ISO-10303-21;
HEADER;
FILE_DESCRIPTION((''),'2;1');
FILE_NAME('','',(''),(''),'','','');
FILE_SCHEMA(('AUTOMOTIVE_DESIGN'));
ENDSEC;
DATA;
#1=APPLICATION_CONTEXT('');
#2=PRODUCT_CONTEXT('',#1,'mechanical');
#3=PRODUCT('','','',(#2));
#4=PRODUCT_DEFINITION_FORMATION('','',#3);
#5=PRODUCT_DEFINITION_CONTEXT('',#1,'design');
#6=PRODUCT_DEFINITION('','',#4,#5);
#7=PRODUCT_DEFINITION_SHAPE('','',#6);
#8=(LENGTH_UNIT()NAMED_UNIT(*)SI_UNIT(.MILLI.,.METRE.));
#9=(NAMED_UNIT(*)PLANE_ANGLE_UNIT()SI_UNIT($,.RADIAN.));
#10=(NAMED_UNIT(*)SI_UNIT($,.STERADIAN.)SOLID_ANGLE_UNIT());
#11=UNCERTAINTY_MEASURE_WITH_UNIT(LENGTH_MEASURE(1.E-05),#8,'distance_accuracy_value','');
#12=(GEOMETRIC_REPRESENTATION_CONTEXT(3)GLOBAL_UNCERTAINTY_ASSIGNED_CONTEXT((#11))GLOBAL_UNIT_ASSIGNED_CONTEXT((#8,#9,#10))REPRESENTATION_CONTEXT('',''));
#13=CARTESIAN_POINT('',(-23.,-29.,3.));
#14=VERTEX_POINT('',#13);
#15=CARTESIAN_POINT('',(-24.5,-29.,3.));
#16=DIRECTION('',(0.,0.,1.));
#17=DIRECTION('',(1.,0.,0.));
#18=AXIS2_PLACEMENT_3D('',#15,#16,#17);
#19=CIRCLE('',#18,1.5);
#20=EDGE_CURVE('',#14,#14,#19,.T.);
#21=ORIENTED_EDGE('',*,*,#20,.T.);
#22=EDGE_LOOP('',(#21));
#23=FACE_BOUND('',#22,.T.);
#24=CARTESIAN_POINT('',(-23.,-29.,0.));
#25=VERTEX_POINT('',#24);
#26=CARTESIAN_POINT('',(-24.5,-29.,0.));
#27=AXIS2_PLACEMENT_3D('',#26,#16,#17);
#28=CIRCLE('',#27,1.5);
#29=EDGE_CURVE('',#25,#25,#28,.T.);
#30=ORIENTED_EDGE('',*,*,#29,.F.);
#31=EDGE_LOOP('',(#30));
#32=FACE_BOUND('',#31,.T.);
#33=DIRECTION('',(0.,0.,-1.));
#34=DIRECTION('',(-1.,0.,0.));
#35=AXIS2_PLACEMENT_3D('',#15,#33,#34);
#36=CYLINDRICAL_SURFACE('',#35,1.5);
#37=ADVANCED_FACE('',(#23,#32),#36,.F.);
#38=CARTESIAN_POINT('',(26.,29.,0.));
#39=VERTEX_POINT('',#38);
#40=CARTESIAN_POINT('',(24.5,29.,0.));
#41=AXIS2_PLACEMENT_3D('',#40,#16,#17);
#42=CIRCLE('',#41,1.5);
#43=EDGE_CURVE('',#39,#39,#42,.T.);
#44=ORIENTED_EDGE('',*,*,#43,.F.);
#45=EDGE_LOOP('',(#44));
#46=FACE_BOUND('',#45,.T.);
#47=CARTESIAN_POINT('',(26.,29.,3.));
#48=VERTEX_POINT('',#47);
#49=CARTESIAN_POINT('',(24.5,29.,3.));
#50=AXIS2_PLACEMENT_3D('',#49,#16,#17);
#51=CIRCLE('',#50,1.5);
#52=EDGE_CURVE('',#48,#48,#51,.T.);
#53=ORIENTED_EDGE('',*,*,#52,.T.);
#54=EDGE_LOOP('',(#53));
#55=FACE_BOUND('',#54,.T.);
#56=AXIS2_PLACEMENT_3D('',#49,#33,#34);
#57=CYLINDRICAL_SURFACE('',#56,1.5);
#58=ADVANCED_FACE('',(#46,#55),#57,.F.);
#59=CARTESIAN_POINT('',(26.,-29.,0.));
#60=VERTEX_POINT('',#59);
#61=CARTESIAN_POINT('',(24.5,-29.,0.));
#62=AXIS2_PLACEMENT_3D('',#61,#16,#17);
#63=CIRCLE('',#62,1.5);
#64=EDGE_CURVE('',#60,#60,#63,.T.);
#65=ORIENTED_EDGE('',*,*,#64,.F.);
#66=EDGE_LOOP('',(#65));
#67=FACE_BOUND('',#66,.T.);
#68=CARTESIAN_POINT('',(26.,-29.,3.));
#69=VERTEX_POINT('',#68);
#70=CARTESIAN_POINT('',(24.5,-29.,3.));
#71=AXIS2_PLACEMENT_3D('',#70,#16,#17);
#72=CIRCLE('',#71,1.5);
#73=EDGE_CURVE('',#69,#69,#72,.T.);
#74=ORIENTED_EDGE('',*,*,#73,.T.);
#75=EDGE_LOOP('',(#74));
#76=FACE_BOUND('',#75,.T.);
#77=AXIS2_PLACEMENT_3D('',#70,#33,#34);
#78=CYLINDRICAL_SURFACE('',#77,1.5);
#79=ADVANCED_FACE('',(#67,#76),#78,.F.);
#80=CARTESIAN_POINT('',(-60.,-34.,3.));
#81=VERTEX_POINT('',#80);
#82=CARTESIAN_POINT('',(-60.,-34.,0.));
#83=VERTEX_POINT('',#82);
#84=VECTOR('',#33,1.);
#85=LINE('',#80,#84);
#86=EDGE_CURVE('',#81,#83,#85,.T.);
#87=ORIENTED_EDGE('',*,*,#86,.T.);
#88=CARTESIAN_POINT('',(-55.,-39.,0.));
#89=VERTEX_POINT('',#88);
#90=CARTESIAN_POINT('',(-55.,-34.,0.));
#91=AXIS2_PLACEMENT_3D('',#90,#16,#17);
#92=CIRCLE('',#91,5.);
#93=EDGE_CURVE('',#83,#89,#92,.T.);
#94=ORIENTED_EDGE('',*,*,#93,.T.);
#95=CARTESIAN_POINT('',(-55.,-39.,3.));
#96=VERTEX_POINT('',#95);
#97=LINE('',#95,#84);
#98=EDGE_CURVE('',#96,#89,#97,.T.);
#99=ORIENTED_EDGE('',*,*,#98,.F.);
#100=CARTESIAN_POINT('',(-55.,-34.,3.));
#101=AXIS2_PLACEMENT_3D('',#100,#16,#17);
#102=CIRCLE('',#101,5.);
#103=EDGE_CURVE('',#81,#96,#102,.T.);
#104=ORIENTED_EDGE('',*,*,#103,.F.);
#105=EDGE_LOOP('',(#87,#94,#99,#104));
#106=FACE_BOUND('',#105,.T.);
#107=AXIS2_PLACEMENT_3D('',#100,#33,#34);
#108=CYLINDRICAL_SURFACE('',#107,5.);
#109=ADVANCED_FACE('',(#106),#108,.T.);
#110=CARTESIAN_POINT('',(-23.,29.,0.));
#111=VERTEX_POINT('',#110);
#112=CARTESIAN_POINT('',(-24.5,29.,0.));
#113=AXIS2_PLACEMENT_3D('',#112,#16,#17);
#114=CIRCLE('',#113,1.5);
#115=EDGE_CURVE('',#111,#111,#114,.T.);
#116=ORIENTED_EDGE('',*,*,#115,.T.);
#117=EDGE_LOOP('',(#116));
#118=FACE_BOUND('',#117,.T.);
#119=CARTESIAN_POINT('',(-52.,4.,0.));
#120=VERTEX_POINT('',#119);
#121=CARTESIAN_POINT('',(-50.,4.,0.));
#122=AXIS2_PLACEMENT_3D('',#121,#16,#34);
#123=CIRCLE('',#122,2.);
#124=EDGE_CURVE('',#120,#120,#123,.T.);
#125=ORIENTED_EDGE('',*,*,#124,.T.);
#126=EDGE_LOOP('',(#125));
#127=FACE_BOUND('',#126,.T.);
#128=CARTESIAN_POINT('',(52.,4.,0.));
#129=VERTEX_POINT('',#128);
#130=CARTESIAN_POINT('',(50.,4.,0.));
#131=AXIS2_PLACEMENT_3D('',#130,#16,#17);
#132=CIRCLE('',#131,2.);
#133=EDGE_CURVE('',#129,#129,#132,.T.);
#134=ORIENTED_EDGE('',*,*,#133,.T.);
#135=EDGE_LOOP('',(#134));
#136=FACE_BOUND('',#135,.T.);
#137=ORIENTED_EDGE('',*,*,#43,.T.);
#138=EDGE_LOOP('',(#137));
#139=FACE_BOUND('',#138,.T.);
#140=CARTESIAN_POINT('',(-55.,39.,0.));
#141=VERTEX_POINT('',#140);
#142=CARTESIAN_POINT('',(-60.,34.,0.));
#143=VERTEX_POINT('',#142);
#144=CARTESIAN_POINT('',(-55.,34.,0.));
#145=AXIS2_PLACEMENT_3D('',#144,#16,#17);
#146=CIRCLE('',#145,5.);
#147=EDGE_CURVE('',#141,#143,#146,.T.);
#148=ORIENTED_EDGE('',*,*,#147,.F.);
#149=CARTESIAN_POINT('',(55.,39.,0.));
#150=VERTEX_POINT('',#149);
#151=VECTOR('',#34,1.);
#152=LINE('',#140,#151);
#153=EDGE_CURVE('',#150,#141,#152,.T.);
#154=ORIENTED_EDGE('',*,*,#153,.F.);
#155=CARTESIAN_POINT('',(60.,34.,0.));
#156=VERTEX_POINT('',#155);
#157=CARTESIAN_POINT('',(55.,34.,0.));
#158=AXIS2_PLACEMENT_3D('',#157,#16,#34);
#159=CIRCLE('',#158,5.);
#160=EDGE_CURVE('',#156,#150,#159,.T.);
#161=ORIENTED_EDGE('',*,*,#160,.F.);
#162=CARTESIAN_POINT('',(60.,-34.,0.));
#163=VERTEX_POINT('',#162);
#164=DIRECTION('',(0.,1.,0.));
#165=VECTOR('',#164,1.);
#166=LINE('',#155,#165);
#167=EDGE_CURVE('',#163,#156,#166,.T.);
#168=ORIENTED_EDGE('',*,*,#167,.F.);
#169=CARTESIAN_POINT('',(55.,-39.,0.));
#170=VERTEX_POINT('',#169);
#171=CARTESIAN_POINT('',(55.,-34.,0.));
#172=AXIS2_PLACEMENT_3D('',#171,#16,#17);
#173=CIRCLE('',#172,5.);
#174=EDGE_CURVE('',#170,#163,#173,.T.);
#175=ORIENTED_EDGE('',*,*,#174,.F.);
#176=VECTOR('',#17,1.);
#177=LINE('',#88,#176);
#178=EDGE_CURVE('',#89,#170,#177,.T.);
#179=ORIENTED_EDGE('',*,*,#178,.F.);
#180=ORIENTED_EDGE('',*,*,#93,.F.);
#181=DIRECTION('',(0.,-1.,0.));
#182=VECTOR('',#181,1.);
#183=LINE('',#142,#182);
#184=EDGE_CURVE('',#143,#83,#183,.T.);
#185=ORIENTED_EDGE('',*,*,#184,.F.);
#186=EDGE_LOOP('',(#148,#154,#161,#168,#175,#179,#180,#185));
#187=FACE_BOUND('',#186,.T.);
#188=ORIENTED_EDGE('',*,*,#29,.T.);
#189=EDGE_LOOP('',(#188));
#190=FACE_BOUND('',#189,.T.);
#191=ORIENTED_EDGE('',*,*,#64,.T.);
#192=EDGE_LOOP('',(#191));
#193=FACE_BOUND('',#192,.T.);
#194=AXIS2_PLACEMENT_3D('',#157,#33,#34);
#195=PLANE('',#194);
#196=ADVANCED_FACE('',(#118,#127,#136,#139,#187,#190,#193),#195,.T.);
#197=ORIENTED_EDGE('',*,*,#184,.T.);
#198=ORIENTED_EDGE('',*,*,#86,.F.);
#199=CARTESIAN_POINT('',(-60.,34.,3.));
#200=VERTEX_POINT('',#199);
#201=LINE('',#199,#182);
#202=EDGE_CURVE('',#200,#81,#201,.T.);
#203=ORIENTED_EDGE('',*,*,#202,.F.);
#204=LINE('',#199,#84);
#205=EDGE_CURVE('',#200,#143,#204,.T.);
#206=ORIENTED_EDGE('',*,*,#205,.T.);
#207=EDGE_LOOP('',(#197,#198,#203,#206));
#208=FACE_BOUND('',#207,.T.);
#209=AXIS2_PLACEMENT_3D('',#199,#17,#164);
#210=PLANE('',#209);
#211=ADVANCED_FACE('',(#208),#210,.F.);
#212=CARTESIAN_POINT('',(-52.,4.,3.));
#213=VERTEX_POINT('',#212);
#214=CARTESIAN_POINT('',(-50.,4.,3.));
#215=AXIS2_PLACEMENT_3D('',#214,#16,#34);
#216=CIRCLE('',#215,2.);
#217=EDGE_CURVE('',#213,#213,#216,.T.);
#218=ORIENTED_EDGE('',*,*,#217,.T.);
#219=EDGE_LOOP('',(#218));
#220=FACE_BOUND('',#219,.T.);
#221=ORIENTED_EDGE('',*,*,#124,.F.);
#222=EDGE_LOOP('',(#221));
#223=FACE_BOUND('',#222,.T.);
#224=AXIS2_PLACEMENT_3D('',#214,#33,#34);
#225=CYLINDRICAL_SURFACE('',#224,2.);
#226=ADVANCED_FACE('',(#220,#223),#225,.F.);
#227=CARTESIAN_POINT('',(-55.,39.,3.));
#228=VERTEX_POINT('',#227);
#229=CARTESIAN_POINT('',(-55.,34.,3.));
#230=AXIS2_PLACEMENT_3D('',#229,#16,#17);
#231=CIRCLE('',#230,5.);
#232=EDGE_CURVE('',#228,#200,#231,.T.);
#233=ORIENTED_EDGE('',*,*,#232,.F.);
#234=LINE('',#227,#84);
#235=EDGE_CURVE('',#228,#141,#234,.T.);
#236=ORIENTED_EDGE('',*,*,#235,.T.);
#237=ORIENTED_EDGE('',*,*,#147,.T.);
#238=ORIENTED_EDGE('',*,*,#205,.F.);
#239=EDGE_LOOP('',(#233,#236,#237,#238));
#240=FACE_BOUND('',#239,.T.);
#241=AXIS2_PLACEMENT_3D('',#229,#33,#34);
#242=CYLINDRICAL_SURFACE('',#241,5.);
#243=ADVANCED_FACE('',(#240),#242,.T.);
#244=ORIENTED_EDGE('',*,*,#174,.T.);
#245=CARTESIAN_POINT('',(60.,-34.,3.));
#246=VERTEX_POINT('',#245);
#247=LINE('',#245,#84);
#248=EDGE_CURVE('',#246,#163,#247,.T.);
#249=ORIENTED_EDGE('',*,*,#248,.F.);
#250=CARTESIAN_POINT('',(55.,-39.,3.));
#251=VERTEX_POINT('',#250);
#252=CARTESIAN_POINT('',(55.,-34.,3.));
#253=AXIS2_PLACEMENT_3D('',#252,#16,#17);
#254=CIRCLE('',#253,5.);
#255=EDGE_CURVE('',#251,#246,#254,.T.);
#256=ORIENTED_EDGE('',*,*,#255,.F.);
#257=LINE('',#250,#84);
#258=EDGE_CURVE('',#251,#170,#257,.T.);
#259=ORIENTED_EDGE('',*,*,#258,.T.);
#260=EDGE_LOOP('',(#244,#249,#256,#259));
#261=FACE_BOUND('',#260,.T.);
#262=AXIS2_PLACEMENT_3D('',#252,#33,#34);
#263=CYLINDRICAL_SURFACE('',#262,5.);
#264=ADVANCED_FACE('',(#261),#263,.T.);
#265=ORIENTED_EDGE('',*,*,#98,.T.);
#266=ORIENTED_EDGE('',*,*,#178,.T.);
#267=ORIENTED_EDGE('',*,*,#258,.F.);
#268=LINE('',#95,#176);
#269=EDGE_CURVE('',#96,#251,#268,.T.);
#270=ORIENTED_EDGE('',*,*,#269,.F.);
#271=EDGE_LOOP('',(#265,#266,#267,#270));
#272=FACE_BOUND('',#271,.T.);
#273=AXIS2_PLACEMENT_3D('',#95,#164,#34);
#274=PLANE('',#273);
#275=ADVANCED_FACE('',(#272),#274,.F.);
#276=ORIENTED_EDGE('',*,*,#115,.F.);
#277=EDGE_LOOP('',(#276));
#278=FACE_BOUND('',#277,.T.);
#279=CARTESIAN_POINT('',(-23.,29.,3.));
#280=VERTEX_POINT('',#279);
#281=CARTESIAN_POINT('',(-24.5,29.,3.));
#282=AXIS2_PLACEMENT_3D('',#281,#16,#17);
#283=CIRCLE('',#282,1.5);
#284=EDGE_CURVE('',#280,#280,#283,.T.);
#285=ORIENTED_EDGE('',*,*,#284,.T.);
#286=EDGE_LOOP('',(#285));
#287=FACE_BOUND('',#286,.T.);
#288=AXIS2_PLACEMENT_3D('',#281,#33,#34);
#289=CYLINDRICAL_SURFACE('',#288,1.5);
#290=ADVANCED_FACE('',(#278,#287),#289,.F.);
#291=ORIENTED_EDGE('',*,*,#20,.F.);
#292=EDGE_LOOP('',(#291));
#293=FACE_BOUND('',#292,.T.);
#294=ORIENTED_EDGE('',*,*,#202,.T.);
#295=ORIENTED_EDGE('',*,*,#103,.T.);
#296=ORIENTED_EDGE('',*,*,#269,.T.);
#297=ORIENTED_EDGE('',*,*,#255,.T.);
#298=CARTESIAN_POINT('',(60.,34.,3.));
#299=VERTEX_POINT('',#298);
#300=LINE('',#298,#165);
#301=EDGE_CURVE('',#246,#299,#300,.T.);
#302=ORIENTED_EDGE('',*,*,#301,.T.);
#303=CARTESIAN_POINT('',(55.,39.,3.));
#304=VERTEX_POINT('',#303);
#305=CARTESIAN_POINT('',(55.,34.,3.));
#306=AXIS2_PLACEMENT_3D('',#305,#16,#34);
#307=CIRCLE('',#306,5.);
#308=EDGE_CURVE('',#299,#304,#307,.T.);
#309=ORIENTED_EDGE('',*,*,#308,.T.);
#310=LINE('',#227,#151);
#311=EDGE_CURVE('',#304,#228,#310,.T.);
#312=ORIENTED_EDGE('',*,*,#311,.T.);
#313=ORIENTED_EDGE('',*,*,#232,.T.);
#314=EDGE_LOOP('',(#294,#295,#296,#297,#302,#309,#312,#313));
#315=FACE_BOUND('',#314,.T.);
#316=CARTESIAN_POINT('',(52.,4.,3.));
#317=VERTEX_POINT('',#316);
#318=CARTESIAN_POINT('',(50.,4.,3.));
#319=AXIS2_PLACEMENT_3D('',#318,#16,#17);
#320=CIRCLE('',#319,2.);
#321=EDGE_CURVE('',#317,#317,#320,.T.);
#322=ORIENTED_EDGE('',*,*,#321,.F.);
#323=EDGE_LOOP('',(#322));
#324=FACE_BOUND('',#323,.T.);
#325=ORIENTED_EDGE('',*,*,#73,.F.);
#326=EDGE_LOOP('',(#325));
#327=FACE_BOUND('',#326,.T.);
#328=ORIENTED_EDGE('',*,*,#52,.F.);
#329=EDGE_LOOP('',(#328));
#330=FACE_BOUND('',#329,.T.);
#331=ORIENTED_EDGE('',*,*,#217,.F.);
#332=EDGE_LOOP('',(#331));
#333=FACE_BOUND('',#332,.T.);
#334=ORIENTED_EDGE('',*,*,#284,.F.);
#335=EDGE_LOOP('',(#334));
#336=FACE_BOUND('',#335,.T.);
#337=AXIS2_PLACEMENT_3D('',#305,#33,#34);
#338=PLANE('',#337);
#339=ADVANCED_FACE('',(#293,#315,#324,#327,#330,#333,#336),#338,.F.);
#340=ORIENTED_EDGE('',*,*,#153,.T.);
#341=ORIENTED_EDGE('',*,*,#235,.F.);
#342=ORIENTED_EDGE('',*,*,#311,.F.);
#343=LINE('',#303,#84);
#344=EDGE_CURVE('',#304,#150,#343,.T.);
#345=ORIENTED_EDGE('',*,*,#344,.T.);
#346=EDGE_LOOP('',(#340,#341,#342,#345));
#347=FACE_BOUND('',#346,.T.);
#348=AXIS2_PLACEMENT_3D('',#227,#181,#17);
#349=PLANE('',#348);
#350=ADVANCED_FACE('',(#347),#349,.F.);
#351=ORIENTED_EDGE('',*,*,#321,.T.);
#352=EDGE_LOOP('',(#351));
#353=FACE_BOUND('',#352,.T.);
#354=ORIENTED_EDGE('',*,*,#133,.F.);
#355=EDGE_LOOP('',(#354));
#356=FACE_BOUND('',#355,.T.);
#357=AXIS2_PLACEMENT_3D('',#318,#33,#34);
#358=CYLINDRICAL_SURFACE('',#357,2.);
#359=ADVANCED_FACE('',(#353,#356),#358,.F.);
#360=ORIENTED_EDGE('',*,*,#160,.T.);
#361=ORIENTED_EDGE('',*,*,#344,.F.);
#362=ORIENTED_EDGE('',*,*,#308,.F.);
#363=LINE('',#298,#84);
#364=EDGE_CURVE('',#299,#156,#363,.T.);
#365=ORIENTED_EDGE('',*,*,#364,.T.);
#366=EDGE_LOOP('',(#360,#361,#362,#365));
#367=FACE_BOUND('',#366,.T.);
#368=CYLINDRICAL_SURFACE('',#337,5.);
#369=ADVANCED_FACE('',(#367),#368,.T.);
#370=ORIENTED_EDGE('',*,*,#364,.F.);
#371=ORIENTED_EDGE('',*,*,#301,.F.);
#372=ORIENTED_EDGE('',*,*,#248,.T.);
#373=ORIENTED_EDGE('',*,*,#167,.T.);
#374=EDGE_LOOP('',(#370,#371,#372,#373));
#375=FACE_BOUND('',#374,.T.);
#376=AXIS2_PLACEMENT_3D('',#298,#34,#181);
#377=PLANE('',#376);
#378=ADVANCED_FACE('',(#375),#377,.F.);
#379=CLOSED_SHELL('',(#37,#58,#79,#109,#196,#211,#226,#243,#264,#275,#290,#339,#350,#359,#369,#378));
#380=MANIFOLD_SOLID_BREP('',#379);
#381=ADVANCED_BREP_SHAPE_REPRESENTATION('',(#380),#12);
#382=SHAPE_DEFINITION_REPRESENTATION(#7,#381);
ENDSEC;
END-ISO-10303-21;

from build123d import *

# Parameters (mm, degrees)
SKETCH_1_R      = 1.5
SKETCH_1_R_2    = 2
EXTRUDE_1_DEPTH = 3


with BuildPart() as part:
    # 草圖1 → 填料-伸長1 (new body)
    with BuildSketch(Plane.XY):
        with BuildLine():
            Line((-55, 39), (55, 39))
            ThreePointArc((55, 39), (58.535533906, 37.535533906), (60, 34))
            Line((60, 34), (60, -34))
            ThreePointArc((60, -34), (58.535533906, -37.535533906), (55, -39))
            Line((55, -39), (-55, -39))
            ThreePointArc((-55, -39), (-58.535533906, -37.535533906), (-60, -34))
            Line((-60, -34), (-60, 34))
            ThreePointArc((-60, 34), (-58.535533906, 37.535533906), (-55, 39))
        make_face()
        with Locations((-24.5, 29)):
            Circle(SKETCH_1_R, mode=Mode.SUBTRACT)
        with Locations((24.5, 29)):
            Circle(SKETCH_1_R, mode=Mode.SUBTRACT)
        with Locations((-24.5, -29)):
            Circle(SKETCH_1_R, mode=Mode.SUBTRACT)
        with Locations((24.5, -29)):
            Circle(SKETCH_1_R, mode=Mode.SUBTRACT)
        with Locations((50, 4)):
            Circle(SKETCH_1_R_2, mode=Mode.SUBTRACT)
        with Locations(Location((-50, 4, 0), (0, 0, 180))):
            Circle(SKETCH_1_R_2, mode=Mode.SUBTRACT)
    extrude(amount=EXTRUDE_1_DEPTH)


solid = part.part
